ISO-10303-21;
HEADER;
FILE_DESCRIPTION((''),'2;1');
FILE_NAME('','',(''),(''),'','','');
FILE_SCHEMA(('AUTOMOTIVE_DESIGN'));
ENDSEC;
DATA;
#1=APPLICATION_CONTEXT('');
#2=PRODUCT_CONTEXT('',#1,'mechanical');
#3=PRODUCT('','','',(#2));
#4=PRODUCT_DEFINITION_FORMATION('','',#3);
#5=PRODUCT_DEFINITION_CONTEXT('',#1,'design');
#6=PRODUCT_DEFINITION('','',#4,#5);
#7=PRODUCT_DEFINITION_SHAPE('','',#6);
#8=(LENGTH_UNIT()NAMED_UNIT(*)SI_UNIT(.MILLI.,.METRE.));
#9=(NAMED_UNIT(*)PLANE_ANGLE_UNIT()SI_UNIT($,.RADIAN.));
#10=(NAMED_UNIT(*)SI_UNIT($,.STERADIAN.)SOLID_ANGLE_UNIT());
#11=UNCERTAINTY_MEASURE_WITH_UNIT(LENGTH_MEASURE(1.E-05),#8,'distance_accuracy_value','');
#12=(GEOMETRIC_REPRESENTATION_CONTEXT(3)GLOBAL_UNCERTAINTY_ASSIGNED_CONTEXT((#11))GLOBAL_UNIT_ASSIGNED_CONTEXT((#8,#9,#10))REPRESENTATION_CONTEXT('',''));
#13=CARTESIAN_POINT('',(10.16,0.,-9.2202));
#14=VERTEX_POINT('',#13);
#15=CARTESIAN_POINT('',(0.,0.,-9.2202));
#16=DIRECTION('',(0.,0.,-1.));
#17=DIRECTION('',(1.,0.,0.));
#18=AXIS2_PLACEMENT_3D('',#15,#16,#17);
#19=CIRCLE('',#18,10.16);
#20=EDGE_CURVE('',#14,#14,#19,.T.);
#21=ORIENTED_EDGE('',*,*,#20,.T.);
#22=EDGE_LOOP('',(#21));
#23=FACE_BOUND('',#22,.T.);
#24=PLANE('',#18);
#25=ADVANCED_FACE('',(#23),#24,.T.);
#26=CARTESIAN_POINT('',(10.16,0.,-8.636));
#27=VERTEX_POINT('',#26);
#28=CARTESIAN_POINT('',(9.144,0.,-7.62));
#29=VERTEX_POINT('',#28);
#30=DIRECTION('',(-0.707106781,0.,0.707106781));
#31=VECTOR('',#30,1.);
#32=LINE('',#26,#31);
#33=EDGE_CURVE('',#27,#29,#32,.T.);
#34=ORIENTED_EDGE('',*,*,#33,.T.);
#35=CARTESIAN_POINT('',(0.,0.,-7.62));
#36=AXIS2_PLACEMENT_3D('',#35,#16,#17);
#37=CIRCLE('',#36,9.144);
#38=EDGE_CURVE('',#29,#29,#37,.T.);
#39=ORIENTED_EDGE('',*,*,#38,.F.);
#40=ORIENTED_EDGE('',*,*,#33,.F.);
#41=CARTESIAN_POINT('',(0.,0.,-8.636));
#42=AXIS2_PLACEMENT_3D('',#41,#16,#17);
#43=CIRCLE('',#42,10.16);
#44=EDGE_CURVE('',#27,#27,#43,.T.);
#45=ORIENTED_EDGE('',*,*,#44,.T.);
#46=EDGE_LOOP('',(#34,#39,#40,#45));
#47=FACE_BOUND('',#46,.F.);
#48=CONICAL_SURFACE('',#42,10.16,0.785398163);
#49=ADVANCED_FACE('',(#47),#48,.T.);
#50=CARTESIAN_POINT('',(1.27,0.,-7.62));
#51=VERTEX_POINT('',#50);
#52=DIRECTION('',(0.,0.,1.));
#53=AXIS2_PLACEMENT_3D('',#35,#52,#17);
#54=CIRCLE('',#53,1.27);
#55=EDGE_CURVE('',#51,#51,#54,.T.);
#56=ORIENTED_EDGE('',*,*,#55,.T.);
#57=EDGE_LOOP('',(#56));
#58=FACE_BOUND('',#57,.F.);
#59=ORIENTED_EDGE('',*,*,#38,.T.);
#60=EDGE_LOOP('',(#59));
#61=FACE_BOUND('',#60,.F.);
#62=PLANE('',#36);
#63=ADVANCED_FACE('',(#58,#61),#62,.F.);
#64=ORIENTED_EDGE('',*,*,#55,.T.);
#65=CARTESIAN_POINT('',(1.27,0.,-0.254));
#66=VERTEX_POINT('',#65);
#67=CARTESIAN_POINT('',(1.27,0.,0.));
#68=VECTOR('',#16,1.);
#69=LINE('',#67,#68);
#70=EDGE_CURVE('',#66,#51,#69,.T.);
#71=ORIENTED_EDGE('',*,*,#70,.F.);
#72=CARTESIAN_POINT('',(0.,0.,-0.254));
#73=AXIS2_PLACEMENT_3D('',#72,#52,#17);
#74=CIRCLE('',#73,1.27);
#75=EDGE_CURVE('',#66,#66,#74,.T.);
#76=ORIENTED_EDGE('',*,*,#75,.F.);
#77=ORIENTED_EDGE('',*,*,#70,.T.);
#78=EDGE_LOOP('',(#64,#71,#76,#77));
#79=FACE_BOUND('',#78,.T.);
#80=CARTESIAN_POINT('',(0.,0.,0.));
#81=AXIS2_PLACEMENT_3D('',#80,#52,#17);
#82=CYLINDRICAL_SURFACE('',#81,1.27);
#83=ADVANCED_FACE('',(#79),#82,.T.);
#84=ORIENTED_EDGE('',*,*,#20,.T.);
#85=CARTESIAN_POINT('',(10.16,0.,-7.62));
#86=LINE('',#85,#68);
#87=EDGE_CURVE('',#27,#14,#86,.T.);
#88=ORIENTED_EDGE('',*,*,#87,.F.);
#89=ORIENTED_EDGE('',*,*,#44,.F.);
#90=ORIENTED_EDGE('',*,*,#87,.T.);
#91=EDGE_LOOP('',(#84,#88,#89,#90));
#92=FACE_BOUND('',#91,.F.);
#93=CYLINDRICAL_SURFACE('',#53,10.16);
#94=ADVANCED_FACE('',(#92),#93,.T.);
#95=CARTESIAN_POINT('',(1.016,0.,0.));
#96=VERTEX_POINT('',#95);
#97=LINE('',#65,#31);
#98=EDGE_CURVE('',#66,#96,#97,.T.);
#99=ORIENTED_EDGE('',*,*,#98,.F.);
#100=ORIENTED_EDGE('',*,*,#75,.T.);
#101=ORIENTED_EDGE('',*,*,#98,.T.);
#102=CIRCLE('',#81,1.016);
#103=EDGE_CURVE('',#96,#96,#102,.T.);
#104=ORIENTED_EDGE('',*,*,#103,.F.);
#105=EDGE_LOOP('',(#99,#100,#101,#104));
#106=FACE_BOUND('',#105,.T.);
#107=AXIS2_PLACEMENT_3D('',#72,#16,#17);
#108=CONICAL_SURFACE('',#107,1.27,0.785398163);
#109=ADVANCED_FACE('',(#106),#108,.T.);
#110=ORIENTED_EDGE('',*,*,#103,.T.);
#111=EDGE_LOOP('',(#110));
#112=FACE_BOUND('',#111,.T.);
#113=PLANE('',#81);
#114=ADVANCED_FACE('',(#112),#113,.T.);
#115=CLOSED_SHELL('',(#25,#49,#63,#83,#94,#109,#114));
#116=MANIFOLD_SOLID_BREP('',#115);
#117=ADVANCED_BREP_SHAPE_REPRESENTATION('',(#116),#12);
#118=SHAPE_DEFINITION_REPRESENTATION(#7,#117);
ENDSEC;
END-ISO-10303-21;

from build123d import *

# Parameters (mm, degrees)
F0_R     = 1.27
F1_DEPTH = 7.62
F2_R     = 10.16
F3_DEPTH = 1.6002
F4_SIZE  = 1.016
F5_SIZE  = 0.254


with BuildPart() as f1:
    # F0 (on Top) → F1 (new body)
    with BuildSketch(Plane.XY):
        Circle(F0_R)
    extrude(amount=-F1_DEPTH)

    # F2 (on face) → F3 (join)
    with BuildSketch(Plane(origin=(0, 0, -7.62), x_dir=(1, 0, 0), z_dir=(0, 0, -1))):
        Circle(F2_R)
    extrude(amount=F3_DEPTH)

    # F4
    f4_edges = [f1.edges().sort_by_distance(p)[0] for p in [
        (-10.16, 0, -7.62),
    ]]
    chamfer(f4_edges, length=F4_SIZE)

    # F5
    f5_edges = [f1.edges().sort_by_distance(p)[0] for p in [
        (-1.27, 0, 0),
    ]]
    chamfer(f5_edges, length=F5_SIZE)


solid = f1.part
